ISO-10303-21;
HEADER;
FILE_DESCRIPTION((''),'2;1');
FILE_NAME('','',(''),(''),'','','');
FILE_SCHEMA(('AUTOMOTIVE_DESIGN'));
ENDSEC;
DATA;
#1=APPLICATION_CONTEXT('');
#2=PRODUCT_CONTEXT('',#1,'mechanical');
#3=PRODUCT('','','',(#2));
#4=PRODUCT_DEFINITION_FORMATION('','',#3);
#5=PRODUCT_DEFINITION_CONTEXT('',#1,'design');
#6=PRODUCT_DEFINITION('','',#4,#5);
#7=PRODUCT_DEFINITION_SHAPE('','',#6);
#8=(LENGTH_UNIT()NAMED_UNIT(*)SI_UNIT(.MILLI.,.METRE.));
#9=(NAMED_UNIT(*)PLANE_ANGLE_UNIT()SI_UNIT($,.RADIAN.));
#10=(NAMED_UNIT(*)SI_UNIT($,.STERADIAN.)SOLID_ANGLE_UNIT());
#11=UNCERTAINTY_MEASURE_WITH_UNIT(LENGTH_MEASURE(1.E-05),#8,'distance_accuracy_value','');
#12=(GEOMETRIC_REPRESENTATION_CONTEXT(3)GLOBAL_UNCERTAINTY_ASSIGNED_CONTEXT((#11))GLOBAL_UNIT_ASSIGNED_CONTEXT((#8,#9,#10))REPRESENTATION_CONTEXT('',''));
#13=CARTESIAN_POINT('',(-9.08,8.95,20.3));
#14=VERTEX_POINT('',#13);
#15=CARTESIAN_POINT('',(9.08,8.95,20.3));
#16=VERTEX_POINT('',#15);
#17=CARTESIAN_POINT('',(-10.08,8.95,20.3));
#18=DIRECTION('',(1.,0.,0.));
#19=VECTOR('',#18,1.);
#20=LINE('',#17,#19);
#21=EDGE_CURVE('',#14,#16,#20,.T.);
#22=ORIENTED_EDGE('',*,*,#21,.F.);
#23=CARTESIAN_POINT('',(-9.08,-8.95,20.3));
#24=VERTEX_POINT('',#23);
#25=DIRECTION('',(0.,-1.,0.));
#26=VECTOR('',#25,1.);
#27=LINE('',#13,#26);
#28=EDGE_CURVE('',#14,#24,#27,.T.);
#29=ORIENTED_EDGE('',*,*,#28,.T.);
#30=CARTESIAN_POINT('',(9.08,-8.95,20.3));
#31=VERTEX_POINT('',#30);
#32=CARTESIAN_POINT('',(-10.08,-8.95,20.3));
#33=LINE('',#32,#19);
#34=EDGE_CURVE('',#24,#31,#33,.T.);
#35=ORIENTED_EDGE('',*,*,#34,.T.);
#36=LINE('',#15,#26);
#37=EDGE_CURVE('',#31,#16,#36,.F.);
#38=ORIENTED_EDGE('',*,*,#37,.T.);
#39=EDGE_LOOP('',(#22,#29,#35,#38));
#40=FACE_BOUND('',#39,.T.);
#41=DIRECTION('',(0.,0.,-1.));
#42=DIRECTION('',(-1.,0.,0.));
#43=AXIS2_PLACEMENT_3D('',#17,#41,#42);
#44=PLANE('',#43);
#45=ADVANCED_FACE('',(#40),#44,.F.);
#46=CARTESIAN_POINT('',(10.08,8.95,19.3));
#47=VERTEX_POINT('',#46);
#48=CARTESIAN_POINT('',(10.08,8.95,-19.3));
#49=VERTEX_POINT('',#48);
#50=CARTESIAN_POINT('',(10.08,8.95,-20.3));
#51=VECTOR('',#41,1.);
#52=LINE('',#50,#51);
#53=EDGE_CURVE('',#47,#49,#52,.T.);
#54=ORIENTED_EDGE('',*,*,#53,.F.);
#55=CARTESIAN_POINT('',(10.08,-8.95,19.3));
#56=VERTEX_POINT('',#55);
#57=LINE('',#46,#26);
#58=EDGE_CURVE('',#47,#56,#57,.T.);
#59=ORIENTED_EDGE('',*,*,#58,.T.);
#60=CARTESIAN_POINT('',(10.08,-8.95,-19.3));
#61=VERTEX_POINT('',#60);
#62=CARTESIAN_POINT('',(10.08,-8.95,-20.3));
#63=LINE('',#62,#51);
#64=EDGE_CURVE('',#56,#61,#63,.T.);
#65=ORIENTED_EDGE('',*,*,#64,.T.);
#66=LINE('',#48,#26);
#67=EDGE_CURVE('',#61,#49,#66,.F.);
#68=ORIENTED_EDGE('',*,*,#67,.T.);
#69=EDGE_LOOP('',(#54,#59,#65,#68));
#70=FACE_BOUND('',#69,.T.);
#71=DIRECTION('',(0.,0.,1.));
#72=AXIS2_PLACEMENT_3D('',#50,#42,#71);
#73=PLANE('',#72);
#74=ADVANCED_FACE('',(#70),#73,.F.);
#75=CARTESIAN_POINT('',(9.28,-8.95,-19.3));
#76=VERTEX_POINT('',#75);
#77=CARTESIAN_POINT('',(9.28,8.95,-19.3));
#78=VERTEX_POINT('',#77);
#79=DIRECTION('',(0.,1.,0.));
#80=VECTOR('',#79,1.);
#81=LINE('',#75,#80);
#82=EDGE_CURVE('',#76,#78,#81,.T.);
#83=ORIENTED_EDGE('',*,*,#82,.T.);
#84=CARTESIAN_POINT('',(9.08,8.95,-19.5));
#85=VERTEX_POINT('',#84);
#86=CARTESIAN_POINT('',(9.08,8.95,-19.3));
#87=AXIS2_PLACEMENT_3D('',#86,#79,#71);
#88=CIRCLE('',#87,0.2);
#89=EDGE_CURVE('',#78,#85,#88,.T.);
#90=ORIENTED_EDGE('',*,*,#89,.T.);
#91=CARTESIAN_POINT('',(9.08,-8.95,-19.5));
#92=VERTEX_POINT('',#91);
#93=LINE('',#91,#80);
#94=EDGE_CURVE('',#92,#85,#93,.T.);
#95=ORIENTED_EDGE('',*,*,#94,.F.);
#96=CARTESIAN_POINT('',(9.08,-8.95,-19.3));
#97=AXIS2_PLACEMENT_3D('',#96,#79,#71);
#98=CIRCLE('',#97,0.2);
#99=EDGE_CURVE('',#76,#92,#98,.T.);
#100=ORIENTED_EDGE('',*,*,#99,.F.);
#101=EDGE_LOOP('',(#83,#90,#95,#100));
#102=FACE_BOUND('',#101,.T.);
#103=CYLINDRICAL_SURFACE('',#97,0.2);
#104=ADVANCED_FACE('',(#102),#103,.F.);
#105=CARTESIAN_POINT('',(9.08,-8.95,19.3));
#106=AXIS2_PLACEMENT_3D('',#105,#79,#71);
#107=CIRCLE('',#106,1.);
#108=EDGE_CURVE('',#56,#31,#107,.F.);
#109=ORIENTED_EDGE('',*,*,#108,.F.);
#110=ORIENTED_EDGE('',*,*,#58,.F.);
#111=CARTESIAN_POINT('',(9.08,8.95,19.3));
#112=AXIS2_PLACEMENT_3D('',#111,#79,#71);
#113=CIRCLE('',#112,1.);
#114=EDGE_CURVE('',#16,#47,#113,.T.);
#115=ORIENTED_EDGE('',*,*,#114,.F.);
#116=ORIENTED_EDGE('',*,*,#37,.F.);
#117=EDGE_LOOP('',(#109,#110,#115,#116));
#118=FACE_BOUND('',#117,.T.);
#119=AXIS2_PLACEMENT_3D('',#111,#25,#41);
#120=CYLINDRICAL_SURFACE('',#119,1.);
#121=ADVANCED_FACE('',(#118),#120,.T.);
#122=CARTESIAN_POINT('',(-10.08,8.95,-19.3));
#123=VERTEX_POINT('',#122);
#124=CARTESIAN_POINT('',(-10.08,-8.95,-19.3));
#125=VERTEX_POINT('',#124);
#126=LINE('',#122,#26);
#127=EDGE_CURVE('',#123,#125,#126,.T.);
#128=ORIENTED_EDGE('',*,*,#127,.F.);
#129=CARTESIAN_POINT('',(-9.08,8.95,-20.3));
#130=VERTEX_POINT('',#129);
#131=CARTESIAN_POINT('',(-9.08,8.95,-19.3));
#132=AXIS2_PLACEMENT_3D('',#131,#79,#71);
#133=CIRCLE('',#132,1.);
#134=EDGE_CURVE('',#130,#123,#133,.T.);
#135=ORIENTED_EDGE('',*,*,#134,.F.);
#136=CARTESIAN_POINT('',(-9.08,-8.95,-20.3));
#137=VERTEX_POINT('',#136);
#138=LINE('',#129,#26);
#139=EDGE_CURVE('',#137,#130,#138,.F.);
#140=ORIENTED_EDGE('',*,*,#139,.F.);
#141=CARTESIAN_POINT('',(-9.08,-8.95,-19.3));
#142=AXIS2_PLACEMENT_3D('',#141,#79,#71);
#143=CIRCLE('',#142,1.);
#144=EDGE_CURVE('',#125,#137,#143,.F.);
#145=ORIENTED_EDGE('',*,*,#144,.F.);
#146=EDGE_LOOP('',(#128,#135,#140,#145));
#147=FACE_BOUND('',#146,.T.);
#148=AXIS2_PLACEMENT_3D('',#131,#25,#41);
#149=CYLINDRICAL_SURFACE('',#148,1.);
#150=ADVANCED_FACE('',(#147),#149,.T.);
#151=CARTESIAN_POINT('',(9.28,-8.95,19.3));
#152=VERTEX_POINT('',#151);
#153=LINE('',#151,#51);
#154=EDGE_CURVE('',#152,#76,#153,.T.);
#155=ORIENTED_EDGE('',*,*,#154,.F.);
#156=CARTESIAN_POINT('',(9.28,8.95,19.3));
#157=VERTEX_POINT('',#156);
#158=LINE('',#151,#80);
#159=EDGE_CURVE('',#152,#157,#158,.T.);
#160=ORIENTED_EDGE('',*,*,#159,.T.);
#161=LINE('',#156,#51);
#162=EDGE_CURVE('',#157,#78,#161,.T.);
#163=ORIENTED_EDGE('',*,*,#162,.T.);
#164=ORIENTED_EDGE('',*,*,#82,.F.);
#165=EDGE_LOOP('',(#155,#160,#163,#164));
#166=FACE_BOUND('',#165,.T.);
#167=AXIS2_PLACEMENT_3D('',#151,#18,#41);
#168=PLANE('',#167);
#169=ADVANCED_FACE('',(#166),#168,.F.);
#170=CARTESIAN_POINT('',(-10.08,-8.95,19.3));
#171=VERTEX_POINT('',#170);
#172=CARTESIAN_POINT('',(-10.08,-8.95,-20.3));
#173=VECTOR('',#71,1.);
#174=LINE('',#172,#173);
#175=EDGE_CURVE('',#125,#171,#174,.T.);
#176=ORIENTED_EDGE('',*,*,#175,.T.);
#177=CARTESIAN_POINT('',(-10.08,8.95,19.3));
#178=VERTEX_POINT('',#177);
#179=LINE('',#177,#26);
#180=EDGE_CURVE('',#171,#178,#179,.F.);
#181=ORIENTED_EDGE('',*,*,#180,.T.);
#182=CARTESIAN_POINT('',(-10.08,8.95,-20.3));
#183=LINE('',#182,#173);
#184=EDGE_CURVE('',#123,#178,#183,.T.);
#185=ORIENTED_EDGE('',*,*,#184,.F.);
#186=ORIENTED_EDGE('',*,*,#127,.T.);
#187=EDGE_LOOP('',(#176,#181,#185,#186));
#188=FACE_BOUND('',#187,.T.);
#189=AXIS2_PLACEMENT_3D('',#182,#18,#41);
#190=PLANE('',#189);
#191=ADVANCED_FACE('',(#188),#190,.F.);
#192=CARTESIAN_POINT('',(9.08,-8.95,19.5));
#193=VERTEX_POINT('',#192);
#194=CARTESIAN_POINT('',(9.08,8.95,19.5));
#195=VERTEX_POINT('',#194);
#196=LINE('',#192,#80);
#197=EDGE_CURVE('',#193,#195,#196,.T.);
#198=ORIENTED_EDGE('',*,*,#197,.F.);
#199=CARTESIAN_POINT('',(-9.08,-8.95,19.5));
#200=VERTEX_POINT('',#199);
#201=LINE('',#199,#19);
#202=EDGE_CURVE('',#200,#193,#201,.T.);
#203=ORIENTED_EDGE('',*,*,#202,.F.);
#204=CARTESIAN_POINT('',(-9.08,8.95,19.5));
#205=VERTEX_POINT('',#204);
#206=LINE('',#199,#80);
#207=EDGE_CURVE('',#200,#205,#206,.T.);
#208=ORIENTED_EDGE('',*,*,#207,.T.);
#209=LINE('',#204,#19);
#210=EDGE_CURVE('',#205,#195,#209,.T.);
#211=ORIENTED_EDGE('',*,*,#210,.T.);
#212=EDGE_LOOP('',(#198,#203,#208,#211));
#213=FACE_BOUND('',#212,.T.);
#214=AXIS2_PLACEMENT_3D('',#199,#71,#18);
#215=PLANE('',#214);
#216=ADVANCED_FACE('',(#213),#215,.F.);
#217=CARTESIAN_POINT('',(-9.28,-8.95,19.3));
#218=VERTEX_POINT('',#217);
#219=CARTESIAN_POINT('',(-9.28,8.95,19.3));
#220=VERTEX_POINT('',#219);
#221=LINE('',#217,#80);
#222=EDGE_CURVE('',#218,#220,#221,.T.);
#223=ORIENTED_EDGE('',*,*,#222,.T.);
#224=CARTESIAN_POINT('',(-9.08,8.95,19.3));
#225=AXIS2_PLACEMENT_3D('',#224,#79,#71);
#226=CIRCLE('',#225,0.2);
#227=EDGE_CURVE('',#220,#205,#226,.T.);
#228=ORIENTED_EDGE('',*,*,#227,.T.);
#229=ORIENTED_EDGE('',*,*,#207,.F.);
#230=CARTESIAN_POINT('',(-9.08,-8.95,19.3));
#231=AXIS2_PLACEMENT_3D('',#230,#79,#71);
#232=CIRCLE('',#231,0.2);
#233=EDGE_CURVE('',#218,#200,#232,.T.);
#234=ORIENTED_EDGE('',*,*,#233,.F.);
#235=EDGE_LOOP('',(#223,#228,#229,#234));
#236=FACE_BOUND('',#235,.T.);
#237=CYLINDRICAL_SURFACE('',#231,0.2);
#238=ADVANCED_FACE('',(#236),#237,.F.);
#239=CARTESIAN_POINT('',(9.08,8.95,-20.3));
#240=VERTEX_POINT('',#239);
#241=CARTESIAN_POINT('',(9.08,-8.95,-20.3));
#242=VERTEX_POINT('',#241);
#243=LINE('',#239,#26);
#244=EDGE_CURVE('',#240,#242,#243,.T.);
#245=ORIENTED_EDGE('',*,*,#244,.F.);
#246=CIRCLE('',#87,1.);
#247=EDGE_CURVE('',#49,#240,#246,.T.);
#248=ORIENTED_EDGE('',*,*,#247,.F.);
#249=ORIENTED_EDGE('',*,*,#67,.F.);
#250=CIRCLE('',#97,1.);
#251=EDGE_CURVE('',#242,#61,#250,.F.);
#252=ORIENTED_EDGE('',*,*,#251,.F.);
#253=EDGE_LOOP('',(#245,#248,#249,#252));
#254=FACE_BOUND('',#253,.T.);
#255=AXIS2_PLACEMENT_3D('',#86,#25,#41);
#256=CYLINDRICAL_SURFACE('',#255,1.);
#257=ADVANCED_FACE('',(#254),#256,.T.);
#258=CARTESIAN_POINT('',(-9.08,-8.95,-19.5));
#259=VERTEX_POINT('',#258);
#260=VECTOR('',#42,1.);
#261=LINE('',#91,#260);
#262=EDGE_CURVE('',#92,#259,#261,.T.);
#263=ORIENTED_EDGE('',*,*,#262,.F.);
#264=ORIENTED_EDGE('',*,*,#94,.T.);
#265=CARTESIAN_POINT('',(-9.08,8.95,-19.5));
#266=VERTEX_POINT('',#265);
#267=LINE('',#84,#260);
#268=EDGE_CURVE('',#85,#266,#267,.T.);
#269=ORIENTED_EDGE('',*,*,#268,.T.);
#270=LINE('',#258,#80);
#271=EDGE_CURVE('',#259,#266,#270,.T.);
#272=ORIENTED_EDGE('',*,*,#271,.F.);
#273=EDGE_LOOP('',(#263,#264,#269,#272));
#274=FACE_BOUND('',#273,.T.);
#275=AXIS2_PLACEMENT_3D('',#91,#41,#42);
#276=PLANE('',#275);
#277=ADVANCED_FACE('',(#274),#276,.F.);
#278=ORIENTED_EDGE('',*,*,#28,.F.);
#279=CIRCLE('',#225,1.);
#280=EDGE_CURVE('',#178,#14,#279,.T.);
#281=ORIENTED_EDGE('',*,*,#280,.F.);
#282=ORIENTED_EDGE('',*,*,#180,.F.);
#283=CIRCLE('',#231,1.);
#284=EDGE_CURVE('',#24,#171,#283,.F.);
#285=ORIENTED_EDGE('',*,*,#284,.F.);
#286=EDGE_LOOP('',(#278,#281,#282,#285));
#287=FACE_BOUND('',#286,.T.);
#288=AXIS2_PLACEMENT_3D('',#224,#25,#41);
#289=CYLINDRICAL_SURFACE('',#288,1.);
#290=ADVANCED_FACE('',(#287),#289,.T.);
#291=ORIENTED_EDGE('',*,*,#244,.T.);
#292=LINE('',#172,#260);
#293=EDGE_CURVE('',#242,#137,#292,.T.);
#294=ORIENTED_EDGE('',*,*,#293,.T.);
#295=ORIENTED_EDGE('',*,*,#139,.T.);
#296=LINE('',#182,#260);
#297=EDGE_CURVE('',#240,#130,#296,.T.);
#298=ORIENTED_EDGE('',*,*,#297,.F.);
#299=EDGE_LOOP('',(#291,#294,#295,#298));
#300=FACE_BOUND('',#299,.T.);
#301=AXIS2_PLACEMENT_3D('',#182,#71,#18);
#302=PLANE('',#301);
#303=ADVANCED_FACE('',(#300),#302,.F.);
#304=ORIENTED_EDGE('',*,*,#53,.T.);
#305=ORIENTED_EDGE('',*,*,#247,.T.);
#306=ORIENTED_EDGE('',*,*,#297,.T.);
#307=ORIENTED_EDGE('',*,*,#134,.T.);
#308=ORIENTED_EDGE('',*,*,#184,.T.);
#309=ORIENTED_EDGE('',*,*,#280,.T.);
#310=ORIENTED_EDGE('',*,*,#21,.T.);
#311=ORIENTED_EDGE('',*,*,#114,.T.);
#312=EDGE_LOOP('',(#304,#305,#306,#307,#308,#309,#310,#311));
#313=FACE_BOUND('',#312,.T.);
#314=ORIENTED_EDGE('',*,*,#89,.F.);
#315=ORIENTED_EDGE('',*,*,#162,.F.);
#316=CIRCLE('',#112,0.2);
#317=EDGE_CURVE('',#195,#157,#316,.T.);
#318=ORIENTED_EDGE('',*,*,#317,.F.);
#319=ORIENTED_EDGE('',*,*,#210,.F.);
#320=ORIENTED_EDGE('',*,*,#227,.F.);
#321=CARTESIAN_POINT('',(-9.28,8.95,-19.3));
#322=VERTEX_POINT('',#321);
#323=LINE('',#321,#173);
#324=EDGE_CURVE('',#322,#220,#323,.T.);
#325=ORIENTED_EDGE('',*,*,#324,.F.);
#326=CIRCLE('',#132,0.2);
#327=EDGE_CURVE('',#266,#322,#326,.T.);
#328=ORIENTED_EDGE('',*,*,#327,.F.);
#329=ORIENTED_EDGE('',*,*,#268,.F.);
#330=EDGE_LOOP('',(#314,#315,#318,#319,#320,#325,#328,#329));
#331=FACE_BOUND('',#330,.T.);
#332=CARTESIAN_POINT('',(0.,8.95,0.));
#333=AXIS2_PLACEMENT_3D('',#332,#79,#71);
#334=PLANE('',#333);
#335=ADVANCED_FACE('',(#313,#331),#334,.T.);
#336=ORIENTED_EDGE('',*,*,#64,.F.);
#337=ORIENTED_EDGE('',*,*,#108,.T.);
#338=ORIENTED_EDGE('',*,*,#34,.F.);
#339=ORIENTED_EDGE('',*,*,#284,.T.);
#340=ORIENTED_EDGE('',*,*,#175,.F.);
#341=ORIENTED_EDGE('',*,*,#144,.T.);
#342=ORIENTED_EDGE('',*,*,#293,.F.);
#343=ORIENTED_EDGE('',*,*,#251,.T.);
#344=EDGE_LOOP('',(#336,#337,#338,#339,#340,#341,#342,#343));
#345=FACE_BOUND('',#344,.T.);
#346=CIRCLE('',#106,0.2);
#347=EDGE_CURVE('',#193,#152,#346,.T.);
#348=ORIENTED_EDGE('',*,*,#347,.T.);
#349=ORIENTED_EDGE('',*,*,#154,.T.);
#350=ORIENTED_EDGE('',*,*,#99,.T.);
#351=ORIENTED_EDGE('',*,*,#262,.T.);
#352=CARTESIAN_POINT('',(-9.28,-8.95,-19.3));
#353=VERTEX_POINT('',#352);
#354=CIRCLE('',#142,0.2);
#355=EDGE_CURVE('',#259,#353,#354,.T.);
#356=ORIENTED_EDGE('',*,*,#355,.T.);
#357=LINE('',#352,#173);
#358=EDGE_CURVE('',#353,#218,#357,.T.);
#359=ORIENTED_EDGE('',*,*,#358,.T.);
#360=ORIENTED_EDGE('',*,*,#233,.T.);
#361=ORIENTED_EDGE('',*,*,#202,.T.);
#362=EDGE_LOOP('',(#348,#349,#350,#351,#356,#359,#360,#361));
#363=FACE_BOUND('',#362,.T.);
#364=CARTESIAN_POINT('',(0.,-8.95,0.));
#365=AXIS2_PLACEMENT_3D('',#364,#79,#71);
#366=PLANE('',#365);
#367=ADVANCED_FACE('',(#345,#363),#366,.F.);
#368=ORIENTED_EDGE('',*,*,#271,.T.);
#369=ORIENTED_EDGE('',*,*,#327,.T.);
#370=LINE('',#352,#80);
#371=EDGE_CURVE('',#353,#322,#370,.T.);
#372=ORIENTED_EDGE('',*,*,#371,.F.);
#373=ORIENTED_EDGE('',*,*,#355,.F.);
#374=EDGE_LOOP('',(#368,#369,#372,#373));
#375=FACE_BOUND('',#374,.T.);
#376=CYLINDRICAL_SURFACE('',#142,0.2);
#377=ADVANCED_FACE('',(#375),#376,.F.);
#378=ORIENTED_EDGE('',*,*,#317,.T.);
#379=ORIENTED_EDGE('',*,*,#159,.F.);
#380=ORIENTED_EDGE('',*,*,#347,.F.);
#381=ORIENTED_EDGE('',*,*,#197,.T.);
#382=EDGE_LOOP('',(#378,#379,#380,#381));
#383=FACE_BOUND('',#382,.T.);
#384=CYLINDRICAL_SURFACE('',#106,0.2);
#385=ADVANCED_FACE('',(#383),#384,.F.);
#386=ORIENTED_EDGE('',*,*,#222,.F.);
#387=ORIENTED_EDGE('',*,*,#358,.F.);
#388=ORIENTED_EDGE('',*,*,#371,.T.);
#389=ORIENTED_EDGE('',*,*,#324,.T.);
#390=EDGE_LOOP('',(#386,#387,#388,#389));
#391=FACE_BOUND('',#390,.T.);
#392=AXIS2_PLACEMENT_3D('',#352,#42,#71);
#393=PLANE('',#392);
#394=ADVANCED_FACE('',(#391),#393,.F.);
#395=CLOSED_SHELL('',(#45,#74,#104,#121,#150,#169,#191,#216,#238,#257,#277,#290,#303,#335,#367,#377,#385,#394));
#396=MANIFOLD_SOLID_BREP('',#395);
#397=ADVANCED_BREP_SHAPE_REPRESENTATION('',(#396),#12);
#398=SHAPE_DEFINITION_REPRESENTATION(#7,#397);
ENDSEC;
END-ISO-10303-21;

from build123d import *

# Parameters (mm, degrees)
BASES_W            = 20.16
BASES_H            = 40.6
BASE_DEPTH         = 8.95
BASE_F_R           = 1
CUT_EXTRUDE3_DEPTH = 29.880900263


with BuildPart() as part:
    # BaseS → BASE (new, symmetric)
    with BuildSketch(Plane(origin=(0, 0, 0), x_dir=(1, 0, 0), z_dir=(0, 1, 0))):
        Rectangle(BASES_W, BASES_H)
    extrude(amount=BASE_DEPTH, both=True)

    # BASE F
    base_f_edges = [part.edges().sort_by_distance(p)[0] for p in [
        (10.08, 0, 20.3),
        (-10.08, 0, 20.3),
        (-10.08, 0, -20.3),
        (10.08, 0, -20.3),
    ]]
    fillet(base_f_edges, radius=BASE_F_R)

    # PocketS → Cut-Extrude3 (cut, through all)
    with BuildSketch(Plane(origin=(0, 8.95, 0), x_dir=(1, 0, 0), z_dir=(0, 1, 0))):
        with BuildLine():
            Line((9.08, 19.5), (-9.08, 19.5))
            ThreePointArc((-9.08, 19.5), (-9.221421356, 19.441421356), (-9.28, 19.3))
            Line((-9.28, 19.3), (-9.28, -19.3))
            ThreePointArc((-9.28, -19.3), (-9.221421356, -19.441421356), (-9.08, -19.5))
            Line((-9.08, -19.5), (9.08, -19.5))
            ThreePointArc((9.08, -19.5), (9.221421356, -19.441421356), (9.28, -19.3))
            Line((9.28, -19.3), (9.28, 19.3))
            ThreePointArc((9.28, 19.3), (9.221421356, 19.441421356), (9.08, 19.5))
        make_face()
    extrude(amount=-CUT_EXTRUDE3_DEPTH, mode=Mode.SUBTRACT)


solid = part.part
